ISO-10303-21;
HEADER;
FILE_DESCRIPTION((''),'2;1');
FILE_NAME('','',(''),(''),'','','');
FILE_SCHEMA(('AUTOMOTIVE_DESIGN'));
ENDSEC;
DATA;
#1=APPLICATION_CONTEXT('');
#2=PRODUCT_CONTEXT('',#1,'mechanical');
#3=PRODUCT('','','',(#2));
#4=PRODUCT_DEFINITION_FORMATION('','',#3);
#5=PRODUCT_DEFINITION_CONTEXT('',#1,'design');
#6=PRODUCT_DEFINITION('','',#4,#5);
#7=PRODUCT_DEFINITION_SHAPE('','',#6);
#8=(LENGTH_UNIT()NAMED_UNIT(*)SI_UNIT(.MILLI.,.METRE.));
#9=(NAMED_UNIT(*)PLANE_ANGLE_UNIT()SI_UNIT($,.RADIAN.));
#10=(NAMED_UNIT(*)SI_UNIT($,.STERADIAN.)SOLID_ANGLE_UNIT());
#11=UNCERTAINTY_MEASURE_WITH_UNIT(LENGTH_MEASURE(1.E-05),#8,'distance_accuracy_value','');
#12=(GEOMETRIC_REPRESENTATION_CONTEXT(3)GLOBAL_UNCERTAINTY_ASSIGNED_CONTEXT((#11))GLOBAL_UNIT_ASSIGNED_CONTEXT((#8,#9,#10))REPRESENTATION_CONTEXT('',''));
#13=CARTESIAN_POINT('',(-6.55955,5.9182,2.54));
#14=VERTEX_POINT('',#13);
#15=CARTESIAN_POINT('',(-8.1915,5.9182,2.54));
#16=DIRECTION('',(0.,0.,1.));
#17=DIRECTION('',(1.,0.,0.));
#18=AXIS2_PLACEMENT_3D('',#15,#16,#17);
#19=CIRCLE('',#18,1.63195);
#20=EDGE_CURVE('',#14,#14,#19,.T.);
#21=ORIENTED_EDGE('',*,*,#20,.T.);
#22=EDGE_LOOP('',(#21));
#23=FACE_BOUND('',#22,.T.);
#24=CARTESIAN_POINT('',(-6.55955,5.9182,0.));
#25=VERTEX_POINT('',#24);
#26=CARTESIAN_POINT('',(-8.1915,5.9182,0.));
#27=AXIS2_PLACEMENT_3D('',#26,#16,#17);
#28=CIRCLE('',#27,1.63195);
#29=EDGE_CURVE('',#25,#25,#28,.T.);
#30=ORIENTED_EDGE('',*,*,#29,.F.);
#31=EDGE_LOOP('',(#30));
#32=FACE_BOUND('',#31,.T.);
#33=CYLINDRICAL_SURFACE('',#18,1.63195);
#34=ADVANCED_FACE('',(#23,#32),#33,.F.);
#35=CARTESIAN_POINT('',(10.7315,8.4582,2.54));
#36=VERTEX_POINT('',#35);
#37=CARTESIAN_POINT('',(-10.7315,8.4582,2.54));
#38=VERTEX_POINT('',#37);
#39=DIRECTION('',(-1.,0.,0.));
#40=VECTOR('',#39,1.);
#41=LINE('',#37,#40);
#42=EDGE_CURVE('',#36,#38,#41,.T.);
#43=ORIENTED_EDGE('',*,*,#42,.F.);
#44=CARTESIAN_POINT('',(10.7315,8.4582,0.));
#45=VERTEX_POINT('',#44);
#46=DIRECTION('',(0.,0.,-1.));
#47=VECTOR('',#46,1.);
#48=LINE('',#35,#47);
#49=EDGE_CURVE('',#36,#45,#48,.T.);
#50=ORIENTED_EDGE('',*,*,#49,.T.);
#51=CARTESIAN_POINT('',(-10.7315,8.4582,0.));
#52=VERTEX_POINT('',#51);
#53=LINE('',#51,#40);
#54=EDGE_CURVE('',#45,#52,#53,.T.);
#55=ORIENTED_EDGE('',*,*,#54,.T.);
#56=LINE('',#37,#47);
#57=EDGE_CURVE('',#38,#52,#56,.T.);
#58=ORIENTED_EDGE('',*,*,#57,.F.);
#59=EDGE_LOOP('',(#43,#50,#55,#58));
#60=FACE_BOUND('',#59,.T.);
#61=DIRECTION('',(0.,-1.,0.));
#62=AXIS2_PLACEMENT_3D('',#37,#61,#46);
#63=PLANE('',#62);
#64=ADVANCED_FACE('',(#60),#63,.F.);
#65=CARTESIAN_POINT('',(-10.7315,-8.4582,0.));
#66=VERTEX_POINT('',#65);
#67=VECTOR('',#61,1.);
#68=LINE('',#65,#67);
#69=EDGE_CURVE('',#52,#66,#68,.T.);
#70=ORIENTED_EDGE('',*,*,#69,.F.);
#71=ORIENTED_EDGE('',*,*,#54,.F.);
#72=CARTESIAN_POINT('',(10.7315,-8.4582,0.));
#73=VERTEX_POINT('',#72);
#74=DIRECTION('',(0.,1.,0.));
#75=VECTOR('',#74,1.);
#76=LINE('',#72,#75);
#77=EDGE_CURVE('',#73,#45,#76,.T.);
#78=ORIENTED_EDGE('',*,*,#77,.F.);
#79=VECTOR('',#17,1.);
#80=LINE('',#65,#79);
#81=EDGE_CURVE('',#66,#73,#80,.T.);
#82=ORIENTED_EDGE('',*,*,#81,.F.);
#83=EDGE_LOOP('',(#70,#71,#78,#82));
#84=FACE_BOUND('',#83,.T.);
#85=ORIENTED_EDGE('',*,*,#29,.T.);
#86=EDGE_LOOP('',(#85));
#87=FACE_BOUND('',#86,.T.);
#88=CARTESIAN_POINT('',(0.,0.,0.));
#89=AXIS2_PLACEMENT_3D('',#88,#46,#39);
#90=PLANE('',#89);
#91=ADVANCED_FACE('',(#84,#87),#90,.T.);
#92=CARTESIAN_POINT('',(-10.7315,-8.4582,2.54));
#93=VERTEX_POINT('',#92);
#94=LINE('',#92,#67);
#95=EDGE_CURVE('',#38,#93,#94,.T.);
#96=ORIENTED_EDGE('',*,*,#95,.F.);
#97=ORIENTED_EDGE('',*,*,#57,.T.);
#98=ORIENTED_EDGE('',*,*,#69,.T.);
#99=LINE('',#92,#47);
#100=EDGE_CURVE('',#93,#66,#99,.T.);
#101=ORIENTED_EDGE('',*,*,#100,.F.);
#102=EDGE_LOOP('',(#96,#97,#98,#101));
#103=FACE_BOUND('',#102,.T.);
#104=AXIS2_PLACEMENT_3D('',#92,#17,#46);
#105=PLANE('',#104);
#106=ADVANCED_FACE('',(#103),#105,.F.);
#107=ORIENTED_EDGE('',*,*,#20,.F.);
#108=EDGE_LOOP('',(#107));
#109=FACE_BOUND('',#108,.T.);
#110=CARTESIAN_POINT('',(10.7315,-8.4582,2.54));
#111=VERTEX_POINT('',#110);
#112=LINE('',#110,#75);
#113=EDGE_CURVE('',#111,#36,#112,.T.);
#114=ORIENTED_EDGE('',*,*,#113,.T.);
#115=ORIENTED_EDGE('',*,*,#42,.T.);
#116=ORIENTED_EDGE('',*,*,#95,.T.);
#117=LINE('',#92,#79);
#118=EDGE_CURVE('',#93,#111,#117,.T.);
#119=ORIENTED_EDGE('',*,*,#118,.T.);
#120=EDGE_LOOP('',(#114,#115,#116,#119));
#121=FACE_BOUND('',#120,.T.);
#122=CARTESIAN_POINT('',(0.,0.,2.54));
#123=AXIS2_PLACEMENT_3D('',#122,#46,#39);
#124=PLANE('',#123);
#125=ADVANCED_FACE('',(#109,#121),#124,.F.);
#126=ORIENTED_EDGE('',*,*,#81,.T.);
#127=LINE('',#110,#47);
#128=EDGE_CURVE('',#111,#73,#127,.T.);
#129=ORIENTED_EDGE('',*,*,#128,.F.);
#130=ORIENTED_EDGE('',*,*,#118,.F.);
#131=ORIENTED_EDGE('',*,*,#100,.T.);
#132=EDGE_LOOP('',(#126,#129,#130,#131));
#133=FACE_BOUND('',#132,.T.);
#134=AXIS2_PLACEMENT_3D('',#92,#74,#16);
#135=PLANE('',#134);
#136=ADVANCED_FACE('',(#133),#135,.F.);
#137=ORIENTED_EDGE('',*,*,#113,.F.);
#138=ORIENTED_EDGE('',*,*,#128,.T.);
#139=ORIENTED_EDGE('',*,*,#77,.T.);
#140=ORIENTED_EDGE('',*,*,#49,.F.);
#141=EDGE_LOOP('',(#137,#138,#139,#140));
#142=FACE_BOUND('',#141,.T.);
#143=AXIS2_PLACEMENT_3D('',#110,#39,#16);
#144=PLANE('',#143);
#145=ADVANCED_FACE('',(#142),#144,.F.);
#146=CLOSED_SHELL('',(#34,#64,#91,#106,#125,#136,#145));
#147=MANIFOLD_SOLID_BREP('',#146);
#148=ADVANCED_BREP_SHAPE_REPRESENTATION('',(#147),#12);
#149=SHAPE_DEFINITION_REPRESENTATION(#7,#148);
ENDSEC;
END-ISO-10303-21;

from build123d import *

# Parameters (mm, degrees)
SKETCH1_W             = 21.463
SKETCH1_H             = 16.9164
BOSS_EXTRUDE1_DEPTH   = 2.54
F_4_CLEARANCE_HOLE1_D = 3.2639


with BuildPart() as part:
    # Sketch1 → Boss-Extrude1 (new body)
    with BuildSketch(Plane.XY):
        Rectangle(SKETCH1_W, SKETCH1_H)
    extrude(amount=BOSS_EXTRUDE1_DEPTH)

    # #4 Clearance Hole1 (through all)
    with Locations(Plane.XY.offset(2.54)):
        with Locations((-8.1915, 5.9182)):
            Hole(F_4_CLEARANCE_HOLE1_D / 2)


solid = part.part
